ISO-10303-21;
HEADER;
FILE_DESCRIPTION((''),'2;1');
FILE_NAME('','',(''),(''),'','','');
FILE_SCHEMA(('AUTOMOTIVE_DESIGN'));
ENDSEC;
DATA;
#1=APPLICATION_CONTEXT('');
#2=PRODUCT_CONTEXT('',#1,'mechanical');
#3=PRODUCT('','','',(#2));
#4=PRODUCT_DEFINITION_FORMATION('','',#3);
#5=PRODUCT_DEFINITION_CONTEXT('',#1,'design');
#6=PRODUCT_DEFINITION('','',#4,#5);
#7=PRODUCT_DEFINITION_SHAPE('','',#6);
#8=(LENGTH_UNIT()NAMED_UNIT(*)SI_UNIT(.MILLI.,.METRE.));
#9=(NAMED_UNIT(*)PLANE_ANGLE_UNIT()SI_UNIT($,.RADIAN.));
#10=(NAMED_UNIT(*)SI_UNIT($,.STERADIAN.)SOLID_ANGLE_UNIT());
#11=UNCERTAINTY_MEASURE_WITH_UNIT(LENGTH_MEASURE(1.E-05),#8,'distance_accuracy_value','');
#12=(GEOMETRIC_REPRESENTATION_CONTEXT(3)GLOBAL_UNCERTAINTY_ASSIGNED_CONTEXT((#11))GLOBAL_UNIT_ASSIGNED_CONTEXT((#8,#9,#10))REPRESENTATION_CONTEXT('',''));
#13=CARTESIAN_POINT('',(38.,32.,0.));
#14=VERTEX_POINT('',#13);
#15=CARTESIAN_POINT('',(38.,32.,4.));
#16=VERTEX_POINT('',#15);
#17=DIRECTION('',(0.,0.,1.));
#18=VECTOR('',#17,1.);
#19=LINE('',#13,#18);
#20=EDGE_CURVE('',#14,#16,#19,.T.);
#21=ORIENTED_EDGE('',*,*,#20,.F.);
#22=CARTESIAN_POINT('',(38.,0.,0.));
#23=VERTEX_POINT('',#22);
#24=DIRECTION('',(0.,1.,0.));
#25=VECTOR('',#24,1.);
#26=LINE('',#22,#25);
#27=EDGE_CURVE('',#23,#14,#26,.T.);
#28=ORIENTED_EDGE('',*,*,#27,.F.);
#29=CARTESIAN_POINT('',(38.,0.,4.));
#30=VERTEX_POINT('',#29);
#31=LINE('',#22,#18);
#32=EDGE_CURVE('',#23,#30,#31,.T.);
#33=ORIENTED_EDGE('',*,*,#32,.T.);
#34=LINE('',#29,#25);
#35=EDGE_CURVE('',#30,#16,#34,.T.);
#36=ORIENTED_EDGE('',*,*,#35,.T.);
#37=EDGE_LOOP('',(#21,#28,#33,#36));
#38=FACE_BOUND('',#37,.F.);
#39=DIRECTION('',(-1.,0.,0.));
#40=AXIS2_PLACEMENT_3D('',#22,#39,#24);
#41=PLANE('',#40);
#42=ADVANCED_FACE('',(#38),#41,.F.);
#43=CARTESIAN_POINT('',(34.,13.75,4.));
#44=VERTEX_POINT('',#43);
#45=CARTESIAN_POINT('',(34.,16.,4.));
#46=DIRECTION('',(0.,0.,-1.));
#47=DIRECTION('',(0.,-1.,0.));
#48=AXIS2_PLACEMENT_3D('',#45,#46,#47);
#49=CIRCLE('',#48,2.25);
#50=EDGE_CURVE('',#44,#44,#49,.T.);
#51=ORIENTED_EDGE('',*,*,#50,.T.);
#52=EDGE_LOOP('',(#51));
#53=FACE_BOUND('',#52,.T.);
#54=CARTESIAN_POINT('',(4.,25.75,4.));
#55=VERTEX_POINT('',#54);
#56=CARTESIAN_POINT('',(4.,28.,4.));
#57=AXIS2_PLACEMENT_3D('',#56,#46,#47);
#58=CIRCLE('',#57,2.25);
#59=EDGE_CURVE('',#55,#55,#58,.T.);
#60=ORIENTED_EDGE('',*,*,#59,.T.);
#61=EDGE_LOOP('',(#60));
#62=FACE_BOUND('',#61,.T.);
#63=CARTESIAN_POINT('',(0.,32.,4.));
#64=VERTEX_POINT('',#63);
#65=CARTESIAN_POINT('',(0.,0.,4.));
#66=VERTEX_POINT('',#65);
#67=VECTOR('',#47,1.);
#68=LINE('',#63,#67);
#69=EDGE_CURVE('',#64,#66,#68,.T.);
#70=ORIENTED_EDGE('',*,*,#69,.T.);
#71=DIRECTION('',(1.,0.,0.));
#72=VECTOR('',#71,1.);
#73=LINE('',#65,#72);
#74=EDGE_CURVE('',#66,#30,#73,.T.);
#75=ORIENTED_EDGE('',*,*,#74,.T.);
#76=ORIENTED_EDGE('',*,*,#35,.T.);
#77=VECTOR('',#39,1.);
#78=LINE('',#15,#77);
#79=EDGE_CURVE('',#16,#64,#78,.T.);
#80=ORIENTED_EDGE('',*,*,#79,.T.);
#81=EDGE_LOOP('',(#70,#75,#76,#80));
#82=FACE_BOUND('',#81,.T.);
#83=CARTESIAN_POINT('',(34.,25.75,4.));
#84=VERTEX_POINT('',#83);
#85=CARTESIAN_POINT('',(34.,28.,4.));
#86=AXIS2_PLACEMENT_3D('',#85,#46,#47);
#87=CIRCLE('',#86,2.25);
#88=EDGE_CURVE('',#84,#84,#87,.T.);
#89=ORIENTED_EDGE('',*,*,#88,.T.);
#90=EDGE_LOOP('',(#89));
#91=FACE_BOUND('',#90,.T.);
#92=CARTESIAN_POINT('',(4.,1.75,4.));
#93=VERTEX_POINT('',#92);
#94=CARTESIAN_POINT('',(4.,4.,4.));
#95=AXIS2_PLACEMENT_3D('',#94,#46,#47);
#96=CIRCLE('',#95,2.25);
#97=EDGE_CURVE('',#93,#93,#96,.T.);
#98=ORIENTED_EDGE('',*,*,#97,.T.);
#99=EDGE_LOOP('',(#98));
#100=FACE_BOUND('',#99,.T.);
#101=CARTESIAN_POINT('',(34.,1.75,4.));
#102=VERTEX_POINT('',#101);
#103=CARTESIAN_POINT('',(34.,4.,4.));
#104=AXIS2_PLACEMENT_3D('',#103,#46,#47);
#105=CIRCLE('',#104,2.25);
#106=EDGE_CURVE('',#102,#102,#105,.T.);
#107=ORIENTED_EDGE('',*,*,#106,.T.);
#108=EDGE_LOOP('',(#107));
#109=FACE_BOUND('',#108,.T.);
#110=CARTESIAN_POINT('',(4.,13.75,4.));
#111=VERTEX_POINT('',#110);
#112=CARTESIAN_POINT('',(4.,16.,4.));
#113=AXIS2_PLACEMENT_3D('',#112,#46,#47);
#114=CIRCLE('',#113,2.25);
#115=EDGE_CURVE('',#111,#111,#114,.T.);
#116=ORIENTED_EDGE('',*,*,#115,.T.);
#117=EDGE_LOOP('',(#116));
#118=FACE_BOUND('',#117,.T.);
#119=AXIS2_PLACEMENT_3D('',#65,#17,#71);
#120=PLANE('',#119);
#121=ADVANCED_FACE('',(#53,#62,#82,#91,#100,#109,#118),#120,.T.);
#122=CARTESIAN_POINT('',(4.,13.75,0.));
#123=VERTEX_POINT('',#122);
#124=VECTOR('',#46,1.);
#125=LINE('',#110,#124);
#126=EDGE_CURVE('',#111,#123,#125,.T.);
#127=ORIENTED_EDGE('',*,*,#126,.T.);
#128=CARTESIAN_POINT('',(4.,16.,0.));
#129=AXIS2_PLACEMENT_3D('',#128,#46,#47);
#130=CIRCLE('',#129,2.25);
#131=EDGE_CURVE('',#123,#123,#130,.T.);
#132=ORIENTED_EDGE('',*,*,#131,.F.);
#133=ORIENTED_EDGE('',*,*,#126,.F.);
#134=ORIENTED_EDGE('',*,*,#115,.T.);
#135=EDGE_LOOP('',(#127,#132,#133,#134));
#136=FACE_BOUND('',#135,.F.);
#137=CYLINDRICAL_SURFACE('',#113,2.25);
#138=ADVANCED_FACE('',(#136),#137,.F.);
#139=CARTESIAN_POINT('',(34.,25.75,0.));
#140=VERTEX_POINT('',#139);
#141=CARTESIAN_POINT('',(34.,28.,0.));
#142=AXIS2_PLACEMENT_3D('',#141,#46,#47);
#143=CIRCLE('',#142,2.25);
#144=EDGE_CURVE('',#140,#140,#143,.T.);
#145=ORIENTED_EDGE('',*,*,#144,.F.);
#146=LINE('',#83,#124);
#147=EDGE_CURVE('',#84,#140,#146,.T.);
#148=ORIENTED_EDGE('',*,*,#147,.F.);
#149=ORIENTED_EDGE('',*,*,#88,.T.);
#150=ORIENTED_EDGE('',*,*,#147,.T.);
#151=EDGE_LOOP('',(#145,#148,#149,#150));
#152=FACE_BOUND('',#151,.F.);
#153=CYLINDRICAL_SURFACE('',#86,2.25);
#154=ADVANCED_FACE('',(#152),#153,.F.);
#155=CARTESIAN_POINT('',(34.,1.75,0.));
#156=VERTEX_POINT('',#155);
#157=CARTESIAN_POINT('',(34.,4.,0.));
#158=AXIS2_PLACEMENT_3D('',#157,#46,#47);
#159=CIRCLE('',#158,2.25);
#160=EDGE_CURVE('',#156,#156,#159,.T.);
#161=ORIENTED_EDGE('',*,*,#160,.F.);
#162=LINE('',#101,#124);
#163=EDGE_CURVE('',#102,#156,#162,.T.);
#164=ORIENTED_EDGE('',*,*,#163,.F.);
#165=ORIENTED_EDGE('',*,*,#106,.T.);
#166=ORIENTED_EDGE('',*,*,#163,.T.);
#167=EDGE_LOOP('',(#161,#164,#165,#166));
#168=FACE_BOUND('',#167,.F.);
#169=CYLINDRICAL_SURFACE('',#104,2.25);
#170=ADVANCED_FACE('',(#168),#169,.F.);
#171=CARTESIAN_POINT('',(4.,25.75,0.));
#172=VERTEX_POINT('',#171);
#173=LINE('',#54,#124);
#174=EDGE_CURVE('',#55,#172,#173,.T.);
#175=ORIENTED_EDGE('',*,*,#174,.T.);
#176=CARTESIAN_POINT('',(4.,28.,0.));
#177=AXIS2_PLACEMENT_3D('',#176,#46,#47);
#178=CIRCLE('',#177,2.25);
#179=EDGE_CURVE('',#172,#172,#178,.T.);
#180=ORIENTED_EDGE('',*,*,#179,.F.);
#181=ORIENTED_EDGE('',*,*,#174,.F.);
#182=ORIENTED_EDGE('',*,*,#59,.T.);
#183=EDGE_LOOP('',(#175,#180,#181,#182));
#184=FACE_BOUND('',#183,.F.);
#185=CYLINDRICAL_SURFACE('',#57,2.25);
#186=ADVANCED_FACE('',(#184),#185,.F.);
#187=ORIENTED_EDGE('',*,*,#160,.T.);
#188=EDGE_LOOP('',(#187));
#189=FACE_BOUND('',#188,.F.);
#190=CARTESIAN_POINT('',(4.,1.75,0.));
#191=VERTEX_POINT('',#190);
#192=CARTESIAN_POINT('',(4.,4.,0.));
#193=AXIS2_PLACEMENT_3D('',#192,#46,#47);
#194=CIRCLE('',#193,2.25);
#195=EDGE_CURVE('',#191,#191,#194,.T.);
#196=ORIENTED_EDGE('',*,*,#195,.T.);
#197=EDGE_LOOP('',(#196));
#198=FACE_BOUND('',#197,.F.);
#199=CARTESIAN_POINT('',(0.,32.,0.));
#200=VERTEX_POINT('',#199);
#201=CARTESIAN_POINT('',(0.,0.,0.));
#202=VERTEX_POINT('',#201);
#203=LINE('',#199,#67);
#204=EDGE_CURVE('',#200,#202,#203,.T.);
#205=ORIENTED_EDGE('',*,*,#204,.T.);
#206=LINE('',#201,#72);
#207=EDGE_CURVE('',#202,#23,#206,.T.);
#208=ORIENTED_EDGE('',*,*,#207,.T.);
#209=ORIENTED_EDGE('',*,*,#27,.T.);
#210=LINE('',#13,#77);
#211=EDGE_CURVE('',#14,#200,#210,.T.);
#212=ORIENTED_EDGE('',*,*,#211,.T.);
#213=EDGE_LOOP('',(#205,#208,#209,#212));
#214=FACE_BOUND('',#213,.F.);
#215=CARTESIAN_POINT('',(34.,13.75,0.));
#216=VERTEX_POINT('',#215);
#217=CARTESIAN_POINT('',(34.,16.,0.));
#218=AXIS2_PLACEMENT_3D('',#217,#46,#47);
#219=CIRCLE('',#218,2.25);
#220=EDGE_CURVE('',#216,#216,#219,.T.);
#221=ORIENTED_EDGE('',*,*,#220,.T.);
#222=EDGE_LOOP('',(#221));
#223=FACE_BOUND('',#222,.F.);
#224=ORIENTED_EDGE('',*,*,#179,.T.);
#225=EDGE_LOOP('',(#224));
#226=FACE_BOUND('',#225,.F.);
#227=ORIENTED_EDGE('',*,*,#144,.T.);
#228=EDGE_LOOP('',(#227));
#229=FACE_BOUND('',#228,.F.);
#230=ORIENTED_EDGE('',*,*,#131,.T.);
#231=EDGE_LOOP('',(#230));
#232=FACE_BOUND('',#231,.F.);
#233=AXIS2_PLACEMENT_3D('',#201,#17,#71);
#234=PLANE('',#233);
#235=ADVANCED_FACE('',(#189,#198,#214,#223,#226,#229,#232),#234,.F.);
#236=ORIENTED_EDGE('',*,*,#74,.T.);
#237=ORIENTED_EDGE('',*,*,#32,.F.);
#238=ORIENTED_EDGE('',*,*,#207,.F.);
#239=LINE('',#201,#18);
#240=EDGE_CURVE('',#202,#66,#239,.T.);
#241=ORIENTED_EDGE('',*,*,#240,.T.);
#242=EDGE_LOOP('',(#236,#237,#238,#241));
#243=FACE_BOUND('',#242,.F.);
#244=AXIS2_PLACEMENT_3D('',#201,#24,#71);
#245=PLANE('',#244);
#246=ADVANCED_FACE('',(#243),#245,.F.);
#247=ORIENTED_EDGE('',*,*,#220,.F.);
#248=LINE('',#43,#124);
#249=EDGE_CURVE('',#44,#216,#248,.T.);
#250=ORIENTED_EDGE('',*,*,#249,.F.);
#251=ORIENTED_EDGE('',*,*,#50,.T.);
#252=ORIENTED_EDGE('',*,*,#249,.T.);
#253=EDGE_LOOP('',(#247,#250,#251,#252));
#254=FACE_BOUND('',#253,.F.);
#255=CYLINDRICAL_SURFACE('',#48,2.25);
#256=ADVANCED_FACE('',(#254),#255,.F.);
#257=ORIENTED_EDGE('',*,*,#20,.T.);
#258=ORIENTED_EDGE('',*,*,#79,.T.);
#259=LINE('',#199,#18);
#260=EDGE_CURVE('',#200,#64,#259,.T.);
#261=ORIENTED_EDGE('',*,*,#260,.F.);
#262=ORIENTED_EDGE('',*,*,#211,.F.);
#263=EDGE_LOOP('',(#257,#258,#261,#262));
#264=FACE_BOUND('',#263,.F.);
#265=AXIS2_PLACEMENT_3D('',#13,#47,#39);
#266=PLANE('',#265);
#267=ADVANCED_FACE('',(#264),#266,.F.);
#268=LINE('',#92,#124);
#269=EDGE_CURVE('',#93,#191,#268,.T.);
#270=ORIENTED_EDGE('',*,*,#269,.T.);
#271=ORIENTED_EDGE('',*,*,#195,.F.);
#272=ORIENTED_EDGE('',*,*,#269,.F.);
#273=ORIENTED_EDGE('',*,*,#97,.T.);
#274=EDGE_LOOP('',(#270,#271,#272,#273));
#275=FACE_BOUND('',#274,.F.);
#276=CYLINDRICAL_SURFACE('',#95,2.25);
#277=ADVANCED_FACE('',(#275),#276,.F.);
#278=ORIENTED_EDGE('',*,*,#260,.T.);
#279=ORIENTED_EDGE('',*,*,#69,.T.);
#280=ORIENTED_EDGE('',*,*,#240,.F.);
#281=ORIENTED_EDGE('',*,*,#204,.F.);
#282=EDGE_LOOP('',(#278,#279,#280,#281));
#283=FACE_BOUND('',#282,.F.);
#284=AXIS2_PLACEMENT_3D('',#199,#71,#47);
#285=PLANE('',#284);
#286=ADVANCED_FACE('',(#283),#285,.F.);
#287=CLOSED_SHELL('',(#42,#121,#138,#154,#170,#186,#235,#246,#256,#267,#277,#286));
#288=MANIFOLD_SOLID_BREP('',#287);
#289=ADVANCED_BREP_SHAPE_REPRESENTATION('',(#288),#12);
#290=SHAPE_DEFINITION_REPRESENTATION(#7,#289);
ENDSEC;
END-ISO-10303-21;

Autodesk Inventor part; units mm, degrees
ref_plane "YZ Plane" through (0, 0, 0) normal (1, 0, 0) x (0, 1, 0)
ref_plane "XZ Plane" through (0, 0, 0) normal (0, 1, 0) x (-1, 0, 0)
ref_plane "XY Plane" through (0, 0, 0) normal (0, 0, 1) x (1, 0, 0)
sketch "スケッチ1" plane through (0, 0, 0) normal (0, 0, 1) x (1, 0, 0)
  line L0 (0, 0) -> (38, 0)
  line L1 (38, 0) -> (38, 32)
  line L2 (38, 32) -> (0, 32)
  line L3 (0, 32) -> (0, 0)
  dimension "d0" = 38
  dimension "d1" = 32
extrude "押し出し1" add sketch "スケッチ1" along normal blind 4
sketch "スケッチ2" plane through (0, 0, 4) normal (0, 0, 1) x (1, 0, 0)
  line L0 (0, 0) -> (38, 0) projected
  line L1 (0, 32) -> (0, 0) projected
  point P0 (4, 4)
  point P1 (4, 28)
  point P2 (34, 4)
  point P3 (34, 28)
  dimension "d4" = 4
  dimension "d5" = 4
  dimension "d8" = 24
  dimension "d11" = 30
hole "穴1" at (4, 4, 4) at (4, 28, 4) at (34, 4, 4) at (34, 28, 4) direction (0, 0, -1) diameter 4.5 end through all
sketch "スケッチ3" plane through (0, 0, 4) normal (0, 0, 1) x (1, 0, 0)
  line L0 (0, 32) -> (0, 0) projected
  line L1 (0, 16) -> (4, 16)
  line L2 (34, 16) -> (38, 16)
  line L3 (38, 0) -> (38, 32) projected
  line L4 (4, 16) -> (34, 16)
  dimension "d28" = 30
hole "穴2" at (4, 16, 4) at (34, 16, 4) direction (0, 0, -1) diameter 4.5 depth 4 clearance for "Countersunk Flat Head Screw ISO 2009/7046" size "M4" standard "ISO"
properties part number "RD004_スペーサ" material "ナイロン 6/6"
